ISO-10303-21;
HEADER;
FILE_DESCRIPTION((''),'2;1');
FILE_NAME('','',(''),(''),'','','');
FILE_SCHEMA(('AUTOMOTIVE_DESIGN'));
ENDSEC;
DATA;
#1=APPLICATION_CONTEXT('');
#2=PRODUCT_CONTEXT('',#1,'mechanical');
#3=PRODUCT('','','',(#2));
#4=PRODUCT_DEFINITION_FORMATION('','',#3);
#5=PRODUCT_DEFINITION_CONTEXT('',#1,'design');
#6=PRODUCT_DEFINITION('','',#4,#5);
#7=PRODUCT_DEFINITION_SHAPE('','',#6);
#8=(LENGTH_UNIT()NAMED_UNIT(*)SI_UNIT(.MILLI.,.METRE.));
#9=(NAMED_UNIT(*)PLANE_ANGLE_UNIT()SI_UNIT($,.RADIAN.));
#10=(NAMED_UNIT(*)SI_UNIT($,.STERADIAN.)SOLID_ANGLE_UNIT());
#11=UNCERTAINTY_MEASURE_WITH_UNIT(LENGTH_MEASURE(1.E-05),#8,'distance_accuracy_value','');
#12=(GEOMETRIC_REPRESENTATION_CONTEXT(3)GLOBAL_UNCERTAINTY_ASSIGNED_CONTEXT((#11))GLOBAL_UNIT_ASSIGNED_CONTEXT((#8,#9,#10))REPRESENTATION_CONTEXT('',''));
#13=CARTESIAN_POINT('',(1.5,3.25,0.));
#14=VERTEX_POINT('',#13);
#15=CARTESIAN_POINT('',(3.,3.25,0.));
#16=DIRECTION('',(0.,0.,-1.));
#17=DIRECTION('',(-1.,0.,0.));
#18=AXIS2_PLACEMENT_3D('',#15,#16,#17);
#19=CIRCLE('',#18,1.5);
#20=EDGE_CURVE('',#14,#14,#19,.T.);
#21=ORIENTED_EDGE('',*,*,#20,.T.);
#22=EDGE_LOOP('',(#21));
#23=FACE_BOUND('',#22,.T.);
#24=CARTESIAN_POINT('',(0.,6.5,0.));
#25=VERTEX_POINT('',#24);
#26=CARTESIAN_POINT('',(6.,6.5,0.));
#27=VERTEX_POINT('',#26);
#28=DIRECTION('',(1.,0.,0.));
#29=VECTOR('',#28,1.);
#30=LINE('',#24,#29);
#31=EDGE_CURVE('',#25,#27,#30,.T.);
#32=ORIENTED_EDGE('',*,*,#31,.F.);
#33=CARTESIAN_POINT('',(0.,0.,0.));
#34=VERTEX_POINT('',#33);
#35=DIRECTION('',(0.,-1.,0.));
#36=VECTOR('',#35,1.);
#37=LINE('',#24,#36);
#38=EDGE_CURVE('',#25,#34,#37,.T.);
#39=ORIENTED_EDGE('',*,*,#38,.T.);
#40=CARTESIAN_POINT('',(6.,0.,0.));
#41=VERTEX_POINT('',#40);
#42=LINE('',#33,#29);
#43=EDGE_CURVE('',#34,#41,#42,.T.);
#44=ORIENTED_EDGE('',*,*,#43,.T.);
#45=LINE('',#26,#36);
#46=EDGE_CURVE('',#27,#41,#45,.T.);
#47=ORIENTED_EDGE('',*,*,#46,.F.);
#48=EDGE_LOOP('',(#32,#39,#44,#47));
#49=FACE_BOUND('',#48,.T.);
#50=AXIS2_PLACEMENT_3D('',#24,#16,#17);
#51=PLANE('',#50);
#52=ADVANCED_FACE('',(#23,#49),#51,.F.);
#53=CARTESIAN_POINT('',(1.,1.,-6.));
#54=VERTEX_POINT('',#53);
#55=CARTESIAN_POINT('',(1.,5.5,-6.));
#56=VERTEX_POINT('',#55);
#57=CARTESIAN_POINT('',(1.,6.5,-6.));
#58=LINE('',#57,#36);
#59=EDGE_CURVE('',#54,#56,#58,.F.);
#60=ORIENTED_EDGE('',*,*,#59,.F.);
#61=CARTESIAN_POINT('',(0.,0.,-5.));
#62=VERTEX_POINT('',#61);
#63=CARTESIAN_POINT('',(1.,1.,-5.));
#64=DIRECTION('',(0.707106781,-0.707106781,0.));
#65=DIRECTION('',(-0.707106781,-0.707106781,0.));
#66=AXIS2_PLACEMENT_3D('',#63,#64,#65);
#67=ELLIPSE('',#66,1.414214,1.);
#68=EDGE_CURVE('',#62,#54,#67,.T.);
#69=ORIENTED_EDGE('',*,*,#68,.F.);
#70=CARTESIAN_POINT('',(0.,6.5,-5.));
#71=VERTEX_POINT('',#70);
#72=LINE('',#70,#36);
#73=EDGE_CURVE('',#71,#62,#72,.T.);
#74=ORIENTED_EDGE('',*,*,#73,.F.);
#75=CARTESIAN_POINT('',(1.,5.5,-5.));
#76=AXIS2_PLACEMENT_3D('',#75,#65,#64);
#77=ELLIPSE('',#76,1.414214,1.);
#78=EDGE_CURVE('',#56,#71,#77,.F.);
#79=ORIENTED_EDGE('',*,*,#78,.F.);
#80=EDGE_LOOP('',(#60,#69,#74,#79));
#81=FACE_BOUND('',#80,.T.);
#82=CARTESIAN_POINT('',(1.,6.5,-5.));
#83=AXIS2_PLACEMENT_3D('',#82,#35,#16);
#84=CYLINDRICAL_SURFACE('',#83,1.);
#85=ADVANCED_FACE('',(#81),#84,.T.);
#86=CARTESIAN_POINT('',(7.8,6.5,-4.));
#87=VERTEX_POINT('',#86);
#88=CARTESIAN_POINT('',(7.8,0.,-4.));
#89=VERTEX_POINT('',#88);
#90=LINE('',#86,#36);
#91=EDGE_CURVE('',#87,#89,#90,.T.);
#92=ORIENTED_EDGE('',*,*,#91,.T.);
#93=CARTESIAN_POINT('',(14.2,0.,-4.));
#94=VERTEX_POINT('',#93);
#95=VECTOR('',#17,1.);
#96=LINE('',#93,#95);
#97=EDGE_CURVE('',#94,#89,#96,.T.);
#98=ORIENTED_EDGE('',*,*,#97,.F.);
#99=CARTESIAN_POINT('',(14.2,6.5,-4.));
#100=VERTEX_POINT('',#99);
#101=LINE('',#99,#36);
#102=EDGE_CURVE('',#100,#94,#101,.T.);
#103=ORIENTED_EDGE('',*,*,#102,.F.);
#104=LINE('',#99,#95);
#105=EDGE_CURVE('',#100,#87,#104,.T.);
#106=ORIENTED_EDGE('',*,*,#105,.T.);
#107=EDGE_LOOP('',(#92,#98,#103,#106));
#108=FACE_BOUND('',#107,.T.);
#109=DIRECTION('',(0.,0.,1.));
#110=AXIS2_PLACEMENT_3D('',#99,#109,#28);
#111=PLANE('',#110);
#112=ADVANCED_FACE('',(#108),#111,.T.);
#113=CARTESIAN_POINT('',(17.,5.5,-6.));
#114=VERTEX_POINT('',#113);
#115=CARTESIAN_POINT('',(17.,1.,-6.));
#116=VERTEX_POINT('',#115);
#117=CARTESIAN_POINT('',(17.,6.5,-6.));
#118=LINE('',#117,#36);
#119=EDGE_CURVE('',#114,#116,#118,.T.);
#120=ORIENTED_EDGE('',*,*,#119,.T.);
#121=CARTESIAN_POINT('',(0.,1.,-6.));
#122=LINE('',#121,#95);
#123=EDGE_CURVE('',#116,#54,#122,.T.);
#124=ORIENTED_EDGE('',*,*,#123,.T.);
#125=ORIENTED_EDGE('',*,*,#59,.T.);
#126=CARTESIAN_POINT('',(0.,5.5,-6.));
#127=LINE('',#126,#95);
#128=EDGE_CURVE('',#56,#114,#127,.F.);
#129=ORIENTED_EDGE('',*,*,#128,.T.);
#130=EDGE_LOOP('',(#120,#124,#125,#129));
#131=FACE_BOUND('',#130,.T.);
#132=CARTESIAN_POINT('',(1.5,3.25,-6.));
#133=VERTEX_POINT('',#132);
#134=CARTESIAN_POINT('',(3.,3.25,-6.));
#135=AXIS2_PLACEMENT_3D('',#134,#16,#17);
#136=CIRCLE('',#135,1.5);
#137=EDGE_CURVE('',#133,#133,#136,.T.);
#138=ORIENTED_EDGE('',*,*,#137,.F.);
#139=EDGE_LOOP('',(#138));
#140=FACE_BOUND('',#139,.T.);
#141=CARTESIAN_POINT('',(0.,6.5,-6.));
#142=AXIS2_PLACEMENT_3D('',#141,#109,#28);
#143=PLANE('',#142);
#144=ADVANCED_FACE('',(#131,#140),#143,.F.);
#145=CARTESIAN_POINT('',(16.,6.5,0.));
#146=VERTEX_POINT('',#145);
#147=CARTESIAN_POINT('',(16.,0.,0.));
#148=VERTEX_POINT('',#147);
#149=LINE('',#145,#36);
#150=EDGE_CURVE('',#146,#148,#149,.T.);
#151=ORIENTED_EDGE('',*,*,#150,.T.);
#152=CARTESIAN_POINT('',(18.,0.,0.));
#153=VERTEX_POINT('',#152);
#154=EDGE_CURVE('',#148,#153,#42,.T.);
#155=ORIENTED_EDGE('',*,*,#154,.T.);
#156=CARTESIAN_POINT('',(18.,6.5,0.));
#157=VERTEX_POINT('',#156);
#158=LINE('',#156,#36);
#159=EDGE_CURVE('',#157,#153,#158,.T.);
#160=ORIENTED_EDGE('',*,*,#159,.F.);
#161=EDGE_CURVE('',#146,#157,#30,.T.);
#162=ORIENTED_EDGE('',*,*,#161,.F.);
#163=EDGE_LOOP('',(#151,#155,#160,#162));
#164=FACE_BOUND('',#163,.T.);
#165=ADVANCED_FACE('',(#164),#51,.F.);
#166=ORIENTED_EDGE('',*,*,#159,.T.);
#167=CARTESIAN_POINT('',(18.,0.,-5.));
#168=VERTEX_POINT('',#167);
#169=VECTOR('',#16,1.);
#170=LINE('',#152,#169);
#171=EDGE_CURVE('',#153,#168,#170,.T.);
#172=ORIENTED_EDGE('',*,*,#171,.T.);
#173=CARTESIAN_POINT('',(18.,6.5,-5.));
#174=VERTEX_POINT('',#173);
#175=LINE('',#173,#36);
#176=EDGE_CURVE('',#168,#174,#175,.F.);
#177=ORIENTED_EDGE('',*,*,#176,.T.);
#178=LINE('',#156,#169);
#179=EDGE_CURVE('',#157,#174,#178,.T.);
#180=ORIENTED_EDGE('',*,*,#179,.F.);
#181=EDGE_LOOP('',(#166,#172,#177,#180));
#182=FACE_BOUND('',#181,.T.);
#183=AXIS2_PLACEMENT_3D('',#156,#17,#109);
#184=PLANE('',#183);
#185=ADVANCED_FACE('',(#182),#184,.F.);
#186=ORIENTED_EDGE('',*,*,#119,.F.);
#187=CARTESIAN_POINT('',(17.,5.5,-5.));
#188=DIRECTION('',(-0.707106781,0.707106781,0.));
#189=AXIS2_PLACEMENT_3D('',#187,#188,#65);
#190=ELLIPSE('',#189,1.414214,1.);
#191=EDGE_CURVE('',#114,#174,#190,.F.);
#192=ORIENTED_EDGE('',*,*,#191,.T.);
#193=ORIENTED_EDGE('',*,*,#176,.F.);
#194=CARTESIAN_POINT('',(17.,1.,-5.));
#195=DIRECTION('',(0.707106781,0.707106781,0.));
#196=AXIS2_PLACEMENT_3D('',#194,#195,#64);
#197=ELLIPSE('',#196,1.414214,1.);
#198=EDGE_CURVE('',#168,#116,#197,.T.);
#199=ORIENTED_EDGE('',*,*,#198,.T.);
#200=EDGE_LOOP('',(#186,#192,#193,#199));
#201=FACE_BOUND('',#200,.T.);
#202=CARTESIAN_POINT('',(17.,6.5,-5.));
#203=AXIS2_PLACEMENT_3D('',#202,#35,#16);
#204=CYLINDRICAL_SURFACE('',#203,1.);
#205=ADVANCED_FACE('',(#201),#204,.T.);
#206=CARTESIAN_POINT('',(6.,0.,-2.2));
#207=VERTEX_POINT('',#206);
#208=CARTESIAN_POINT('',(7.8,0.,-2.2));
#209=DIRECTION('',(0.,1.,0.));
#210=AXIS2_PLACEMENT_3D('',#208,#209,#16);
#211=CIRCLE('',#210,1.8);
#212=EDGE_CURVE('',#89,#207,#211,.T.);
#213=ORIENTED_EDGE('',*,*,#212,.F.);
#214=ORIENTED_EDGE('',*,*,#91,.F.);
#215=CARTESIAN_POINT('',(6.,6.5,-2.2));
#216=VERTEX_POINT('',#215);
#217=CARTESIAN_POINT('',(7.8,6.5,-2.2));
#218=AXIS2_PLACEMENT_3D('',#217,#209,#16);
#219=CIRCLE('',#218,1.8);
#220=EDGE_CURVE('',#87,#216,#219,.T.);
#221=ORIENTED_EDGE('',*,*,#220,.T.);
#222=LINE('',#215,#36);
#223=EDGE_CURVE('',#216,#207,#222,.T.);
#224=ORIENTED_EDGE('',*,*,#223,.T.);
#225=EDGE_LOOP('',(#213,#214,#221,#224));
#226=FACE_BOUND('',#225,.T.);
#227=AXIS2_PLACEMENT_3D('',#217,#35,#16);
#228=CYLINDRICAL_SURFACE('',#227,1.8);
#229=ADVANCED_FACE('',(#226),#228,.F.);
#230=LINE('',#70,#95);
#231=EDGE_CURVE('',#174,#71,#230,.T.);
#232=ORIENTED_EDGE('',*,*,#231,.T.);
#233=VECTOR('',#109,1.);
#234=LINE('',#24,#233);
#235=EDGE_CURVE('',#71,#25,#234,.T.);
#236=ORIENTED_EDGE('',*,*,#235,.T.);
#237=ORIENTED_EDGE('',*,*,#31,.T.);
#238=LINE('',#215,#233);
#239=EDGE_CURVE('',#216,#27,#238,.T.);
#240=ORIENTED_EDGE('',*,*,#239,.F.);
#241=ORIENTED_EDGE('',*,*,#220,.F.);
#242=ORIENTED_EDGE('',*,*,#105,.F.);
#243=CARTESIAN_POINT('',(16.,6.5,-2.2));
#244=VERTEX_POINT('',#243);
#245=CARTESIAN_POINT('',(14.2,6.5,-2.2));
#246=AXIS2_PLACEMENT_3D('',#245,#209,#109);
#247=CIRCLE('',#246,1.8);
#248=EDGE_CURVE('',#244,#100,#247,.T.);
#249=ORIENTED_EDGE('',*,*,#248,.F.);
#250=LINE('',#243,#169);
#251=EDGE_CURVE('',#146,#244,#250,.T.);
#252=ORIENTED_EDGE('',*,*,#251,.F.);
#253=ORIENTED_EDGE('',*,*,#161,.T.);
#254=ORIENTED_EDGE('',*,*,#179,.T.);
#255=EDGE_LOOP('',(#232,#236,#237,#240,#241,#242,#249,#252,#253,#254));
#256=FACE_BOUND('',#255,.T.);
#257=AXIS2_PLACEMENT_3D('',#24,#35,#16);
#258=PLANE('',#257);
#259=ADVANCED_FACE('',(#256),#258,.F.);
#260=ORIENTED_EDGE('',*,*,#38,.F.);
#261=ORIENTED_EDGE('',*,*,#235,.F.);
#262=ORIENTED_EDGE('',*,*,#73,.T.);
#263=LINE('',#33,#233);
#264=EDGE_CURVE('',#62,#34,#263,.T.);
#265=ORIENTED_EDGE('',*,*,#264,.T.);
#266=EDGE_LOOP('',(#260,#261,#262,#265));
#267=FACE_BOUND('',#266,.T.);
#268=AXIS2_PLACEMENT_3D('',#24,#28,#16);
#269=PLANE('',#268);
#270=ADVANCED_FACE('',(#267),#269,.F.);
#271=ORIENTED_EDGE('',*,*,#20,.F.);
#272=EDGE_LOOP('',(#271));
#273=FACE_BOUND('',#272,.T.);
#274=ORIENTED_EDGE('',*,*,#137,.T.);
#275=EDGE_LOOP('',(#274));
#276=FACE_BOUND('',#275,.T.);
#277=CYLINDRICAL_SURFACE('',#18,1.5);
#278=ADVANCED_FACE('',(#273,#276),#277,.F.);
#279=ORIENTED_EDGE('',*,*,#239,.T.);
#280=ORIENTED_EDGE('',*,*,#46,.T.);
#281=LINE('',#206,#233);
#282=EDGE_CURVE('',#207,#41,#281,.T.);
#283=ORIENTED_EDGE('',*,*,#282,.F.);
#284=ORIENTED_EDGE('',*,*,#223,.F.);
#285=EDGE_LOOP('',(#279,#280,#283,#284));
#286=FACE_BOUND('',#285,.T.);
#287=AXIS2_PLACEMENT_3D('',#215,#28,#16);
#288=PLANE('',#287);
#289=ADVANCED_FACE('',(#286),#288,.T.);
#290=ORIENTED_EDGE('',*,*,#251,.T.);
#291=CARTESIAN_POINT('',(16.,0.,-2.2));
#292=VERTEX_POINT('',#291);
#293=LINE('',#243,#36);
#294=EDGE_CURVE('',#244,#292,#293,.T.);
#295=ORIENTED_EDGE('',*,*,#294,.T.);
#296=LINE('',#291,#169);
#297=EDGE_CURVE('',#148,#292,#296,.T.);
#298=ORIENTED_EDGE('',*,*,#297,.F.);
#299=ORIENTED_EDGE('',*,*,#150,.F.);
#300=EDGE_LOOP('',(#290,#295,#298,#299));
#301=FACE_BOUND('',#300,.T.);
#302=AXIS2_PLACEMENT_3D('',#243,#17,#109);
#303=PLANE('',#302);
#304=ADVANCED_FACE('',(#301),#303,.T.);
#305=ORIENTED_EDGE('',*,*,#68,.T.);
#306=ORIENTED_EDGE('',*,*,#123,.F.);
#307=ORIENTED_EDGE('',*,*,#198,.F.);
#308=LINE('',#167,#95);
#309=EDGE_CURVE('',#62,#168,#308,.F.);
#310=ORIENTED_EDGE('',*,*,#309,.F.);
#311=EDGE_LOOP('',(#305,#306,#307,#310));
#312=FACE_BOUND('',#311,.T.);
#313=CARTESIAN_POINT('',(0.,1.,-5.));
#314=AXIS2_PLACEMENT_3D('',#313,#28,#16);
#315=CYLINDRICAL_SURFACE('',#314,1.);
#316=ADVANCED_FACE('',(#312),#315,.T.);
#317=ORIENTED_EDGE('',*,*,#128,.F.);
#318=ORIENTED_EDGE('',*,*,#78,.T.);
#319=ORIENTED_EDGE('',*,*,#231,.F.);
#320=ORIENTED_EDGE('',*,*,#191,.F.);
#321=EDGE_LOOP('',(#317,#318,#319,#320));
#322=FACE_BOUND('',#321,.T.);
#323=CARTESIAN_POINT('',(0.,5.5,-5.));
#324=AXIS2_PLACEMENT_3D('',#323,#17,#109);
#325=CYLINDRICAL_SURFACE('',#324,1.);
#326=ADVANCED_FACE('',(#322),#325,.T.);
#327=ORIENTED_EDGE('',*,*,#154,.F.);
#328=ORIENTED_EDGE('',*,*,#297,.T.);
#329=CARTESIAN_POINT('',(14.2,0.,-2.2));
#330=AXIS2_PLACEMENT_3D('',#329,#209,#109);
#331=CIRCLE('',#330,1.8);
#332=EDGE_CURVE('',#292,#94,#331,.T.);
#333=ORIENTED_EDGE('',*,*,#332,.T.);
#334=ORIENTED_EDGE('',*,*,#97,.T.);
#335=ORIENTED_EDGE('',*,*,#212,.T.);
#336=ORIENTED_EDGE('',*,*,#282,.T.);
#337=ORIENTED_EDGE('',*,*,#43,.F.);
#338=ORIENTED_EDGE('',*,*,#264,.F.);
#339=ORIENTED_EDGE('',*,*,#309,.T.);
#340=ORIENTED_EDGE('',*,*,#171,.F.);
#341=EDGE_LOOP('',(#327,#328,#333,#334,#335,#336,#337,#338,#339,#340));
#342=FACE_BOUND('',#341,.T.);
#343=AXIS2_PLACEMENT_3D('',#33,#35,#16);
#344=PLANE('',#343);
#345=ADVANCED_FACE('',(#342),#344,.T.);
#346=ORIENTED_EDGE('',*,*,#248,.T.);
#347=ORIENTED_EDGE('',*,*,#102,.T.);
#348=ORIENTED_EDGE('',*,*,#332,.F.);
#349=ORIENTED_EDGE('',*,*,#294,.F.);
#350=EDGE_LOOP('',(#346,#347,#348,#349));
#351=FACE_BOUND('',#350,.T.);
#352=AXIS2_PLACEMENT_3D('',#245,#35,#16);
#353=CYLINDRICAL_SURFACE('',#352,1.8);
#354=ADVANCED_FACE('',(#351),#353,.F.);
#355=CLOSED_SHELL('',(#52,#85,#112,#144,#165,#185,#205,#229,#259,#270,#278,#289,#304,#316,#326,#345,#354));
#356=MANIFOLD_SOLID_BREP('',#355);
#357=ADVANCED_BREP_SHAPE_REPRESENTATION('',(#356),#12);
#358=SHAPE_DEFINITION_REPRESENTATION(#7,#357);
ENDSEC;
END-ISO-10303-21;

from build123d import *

# Parameters (mm, degrees)
SIDE_W         = 18
SIDE_H         = 6
SIDE_EX_DEPTH  = 6.5
HOLE_R         = 1.5
HOLE_CUT_DEPTH = 21.05617112
WIRE_CUT_DEPTH = 21.05617112
FILLET1_R      = 1


with BuildPart() as part:
    # Side → Side_Ex (new body)
    with BuildSketch(Plane(origin=(0, 0, 0), x_dir=(1, 0, 0), z_dir=(0, 1, 0))):
        with Locations((9, 3)):
            Rectangle(SIDE_W, SIDE_H)
    extrude(amount=SIDE_EX_DEPTH)

    # Hole → Hole_Cut (cut, through all)
    with BuildSketch(Plane(origin=(0, 0, -6), x_dir=(-1, 0, 0), z_dir=(0, 0, -1))):
        with Locations((-3, 3.25)):
            Circle(HOLE_R)
    extrude(amount=-HOLE_CUT_DEPTH, mode=Mode.SUBTRACT)

    # Wire 2 → Wire_Cut (cut, through all)
    with BuildSketch(Plane(origin=(0, 0, 0), x_dir=(1, 0, 0), z_dir=(0, 1, 0))):
        with BuildLine():
            Line((14.2, 4), (7.8, 4))
            ThreePointArc((7.8, 4), (6.527207794, 3.472792206), (6, 2.2))
            Line((6, 2.2), (6, 0))
            Line((6, 0), (16, 0))
            Line((16, 0), (16, 2.2))
            ThreePointArc((16, 2.2), (15.472792206, 3.472792206), (14.2, 4))
        make_face()
    extrude(amount=WIRE_CUT_DEPTH, mode=Mode.SUBTRACT)

    # Fillet1
    fillet1_edges = [part.edges().sort_by_distance(p)[0] for p in [
        (9, 6.5, -6),
        (9, 0, -6),
        (0, 3.25, -6),
        (18, 3.25, -6),
    ]]
    fillet(fillet1_edges, radius=FILLET1_R)


solid = part.part
